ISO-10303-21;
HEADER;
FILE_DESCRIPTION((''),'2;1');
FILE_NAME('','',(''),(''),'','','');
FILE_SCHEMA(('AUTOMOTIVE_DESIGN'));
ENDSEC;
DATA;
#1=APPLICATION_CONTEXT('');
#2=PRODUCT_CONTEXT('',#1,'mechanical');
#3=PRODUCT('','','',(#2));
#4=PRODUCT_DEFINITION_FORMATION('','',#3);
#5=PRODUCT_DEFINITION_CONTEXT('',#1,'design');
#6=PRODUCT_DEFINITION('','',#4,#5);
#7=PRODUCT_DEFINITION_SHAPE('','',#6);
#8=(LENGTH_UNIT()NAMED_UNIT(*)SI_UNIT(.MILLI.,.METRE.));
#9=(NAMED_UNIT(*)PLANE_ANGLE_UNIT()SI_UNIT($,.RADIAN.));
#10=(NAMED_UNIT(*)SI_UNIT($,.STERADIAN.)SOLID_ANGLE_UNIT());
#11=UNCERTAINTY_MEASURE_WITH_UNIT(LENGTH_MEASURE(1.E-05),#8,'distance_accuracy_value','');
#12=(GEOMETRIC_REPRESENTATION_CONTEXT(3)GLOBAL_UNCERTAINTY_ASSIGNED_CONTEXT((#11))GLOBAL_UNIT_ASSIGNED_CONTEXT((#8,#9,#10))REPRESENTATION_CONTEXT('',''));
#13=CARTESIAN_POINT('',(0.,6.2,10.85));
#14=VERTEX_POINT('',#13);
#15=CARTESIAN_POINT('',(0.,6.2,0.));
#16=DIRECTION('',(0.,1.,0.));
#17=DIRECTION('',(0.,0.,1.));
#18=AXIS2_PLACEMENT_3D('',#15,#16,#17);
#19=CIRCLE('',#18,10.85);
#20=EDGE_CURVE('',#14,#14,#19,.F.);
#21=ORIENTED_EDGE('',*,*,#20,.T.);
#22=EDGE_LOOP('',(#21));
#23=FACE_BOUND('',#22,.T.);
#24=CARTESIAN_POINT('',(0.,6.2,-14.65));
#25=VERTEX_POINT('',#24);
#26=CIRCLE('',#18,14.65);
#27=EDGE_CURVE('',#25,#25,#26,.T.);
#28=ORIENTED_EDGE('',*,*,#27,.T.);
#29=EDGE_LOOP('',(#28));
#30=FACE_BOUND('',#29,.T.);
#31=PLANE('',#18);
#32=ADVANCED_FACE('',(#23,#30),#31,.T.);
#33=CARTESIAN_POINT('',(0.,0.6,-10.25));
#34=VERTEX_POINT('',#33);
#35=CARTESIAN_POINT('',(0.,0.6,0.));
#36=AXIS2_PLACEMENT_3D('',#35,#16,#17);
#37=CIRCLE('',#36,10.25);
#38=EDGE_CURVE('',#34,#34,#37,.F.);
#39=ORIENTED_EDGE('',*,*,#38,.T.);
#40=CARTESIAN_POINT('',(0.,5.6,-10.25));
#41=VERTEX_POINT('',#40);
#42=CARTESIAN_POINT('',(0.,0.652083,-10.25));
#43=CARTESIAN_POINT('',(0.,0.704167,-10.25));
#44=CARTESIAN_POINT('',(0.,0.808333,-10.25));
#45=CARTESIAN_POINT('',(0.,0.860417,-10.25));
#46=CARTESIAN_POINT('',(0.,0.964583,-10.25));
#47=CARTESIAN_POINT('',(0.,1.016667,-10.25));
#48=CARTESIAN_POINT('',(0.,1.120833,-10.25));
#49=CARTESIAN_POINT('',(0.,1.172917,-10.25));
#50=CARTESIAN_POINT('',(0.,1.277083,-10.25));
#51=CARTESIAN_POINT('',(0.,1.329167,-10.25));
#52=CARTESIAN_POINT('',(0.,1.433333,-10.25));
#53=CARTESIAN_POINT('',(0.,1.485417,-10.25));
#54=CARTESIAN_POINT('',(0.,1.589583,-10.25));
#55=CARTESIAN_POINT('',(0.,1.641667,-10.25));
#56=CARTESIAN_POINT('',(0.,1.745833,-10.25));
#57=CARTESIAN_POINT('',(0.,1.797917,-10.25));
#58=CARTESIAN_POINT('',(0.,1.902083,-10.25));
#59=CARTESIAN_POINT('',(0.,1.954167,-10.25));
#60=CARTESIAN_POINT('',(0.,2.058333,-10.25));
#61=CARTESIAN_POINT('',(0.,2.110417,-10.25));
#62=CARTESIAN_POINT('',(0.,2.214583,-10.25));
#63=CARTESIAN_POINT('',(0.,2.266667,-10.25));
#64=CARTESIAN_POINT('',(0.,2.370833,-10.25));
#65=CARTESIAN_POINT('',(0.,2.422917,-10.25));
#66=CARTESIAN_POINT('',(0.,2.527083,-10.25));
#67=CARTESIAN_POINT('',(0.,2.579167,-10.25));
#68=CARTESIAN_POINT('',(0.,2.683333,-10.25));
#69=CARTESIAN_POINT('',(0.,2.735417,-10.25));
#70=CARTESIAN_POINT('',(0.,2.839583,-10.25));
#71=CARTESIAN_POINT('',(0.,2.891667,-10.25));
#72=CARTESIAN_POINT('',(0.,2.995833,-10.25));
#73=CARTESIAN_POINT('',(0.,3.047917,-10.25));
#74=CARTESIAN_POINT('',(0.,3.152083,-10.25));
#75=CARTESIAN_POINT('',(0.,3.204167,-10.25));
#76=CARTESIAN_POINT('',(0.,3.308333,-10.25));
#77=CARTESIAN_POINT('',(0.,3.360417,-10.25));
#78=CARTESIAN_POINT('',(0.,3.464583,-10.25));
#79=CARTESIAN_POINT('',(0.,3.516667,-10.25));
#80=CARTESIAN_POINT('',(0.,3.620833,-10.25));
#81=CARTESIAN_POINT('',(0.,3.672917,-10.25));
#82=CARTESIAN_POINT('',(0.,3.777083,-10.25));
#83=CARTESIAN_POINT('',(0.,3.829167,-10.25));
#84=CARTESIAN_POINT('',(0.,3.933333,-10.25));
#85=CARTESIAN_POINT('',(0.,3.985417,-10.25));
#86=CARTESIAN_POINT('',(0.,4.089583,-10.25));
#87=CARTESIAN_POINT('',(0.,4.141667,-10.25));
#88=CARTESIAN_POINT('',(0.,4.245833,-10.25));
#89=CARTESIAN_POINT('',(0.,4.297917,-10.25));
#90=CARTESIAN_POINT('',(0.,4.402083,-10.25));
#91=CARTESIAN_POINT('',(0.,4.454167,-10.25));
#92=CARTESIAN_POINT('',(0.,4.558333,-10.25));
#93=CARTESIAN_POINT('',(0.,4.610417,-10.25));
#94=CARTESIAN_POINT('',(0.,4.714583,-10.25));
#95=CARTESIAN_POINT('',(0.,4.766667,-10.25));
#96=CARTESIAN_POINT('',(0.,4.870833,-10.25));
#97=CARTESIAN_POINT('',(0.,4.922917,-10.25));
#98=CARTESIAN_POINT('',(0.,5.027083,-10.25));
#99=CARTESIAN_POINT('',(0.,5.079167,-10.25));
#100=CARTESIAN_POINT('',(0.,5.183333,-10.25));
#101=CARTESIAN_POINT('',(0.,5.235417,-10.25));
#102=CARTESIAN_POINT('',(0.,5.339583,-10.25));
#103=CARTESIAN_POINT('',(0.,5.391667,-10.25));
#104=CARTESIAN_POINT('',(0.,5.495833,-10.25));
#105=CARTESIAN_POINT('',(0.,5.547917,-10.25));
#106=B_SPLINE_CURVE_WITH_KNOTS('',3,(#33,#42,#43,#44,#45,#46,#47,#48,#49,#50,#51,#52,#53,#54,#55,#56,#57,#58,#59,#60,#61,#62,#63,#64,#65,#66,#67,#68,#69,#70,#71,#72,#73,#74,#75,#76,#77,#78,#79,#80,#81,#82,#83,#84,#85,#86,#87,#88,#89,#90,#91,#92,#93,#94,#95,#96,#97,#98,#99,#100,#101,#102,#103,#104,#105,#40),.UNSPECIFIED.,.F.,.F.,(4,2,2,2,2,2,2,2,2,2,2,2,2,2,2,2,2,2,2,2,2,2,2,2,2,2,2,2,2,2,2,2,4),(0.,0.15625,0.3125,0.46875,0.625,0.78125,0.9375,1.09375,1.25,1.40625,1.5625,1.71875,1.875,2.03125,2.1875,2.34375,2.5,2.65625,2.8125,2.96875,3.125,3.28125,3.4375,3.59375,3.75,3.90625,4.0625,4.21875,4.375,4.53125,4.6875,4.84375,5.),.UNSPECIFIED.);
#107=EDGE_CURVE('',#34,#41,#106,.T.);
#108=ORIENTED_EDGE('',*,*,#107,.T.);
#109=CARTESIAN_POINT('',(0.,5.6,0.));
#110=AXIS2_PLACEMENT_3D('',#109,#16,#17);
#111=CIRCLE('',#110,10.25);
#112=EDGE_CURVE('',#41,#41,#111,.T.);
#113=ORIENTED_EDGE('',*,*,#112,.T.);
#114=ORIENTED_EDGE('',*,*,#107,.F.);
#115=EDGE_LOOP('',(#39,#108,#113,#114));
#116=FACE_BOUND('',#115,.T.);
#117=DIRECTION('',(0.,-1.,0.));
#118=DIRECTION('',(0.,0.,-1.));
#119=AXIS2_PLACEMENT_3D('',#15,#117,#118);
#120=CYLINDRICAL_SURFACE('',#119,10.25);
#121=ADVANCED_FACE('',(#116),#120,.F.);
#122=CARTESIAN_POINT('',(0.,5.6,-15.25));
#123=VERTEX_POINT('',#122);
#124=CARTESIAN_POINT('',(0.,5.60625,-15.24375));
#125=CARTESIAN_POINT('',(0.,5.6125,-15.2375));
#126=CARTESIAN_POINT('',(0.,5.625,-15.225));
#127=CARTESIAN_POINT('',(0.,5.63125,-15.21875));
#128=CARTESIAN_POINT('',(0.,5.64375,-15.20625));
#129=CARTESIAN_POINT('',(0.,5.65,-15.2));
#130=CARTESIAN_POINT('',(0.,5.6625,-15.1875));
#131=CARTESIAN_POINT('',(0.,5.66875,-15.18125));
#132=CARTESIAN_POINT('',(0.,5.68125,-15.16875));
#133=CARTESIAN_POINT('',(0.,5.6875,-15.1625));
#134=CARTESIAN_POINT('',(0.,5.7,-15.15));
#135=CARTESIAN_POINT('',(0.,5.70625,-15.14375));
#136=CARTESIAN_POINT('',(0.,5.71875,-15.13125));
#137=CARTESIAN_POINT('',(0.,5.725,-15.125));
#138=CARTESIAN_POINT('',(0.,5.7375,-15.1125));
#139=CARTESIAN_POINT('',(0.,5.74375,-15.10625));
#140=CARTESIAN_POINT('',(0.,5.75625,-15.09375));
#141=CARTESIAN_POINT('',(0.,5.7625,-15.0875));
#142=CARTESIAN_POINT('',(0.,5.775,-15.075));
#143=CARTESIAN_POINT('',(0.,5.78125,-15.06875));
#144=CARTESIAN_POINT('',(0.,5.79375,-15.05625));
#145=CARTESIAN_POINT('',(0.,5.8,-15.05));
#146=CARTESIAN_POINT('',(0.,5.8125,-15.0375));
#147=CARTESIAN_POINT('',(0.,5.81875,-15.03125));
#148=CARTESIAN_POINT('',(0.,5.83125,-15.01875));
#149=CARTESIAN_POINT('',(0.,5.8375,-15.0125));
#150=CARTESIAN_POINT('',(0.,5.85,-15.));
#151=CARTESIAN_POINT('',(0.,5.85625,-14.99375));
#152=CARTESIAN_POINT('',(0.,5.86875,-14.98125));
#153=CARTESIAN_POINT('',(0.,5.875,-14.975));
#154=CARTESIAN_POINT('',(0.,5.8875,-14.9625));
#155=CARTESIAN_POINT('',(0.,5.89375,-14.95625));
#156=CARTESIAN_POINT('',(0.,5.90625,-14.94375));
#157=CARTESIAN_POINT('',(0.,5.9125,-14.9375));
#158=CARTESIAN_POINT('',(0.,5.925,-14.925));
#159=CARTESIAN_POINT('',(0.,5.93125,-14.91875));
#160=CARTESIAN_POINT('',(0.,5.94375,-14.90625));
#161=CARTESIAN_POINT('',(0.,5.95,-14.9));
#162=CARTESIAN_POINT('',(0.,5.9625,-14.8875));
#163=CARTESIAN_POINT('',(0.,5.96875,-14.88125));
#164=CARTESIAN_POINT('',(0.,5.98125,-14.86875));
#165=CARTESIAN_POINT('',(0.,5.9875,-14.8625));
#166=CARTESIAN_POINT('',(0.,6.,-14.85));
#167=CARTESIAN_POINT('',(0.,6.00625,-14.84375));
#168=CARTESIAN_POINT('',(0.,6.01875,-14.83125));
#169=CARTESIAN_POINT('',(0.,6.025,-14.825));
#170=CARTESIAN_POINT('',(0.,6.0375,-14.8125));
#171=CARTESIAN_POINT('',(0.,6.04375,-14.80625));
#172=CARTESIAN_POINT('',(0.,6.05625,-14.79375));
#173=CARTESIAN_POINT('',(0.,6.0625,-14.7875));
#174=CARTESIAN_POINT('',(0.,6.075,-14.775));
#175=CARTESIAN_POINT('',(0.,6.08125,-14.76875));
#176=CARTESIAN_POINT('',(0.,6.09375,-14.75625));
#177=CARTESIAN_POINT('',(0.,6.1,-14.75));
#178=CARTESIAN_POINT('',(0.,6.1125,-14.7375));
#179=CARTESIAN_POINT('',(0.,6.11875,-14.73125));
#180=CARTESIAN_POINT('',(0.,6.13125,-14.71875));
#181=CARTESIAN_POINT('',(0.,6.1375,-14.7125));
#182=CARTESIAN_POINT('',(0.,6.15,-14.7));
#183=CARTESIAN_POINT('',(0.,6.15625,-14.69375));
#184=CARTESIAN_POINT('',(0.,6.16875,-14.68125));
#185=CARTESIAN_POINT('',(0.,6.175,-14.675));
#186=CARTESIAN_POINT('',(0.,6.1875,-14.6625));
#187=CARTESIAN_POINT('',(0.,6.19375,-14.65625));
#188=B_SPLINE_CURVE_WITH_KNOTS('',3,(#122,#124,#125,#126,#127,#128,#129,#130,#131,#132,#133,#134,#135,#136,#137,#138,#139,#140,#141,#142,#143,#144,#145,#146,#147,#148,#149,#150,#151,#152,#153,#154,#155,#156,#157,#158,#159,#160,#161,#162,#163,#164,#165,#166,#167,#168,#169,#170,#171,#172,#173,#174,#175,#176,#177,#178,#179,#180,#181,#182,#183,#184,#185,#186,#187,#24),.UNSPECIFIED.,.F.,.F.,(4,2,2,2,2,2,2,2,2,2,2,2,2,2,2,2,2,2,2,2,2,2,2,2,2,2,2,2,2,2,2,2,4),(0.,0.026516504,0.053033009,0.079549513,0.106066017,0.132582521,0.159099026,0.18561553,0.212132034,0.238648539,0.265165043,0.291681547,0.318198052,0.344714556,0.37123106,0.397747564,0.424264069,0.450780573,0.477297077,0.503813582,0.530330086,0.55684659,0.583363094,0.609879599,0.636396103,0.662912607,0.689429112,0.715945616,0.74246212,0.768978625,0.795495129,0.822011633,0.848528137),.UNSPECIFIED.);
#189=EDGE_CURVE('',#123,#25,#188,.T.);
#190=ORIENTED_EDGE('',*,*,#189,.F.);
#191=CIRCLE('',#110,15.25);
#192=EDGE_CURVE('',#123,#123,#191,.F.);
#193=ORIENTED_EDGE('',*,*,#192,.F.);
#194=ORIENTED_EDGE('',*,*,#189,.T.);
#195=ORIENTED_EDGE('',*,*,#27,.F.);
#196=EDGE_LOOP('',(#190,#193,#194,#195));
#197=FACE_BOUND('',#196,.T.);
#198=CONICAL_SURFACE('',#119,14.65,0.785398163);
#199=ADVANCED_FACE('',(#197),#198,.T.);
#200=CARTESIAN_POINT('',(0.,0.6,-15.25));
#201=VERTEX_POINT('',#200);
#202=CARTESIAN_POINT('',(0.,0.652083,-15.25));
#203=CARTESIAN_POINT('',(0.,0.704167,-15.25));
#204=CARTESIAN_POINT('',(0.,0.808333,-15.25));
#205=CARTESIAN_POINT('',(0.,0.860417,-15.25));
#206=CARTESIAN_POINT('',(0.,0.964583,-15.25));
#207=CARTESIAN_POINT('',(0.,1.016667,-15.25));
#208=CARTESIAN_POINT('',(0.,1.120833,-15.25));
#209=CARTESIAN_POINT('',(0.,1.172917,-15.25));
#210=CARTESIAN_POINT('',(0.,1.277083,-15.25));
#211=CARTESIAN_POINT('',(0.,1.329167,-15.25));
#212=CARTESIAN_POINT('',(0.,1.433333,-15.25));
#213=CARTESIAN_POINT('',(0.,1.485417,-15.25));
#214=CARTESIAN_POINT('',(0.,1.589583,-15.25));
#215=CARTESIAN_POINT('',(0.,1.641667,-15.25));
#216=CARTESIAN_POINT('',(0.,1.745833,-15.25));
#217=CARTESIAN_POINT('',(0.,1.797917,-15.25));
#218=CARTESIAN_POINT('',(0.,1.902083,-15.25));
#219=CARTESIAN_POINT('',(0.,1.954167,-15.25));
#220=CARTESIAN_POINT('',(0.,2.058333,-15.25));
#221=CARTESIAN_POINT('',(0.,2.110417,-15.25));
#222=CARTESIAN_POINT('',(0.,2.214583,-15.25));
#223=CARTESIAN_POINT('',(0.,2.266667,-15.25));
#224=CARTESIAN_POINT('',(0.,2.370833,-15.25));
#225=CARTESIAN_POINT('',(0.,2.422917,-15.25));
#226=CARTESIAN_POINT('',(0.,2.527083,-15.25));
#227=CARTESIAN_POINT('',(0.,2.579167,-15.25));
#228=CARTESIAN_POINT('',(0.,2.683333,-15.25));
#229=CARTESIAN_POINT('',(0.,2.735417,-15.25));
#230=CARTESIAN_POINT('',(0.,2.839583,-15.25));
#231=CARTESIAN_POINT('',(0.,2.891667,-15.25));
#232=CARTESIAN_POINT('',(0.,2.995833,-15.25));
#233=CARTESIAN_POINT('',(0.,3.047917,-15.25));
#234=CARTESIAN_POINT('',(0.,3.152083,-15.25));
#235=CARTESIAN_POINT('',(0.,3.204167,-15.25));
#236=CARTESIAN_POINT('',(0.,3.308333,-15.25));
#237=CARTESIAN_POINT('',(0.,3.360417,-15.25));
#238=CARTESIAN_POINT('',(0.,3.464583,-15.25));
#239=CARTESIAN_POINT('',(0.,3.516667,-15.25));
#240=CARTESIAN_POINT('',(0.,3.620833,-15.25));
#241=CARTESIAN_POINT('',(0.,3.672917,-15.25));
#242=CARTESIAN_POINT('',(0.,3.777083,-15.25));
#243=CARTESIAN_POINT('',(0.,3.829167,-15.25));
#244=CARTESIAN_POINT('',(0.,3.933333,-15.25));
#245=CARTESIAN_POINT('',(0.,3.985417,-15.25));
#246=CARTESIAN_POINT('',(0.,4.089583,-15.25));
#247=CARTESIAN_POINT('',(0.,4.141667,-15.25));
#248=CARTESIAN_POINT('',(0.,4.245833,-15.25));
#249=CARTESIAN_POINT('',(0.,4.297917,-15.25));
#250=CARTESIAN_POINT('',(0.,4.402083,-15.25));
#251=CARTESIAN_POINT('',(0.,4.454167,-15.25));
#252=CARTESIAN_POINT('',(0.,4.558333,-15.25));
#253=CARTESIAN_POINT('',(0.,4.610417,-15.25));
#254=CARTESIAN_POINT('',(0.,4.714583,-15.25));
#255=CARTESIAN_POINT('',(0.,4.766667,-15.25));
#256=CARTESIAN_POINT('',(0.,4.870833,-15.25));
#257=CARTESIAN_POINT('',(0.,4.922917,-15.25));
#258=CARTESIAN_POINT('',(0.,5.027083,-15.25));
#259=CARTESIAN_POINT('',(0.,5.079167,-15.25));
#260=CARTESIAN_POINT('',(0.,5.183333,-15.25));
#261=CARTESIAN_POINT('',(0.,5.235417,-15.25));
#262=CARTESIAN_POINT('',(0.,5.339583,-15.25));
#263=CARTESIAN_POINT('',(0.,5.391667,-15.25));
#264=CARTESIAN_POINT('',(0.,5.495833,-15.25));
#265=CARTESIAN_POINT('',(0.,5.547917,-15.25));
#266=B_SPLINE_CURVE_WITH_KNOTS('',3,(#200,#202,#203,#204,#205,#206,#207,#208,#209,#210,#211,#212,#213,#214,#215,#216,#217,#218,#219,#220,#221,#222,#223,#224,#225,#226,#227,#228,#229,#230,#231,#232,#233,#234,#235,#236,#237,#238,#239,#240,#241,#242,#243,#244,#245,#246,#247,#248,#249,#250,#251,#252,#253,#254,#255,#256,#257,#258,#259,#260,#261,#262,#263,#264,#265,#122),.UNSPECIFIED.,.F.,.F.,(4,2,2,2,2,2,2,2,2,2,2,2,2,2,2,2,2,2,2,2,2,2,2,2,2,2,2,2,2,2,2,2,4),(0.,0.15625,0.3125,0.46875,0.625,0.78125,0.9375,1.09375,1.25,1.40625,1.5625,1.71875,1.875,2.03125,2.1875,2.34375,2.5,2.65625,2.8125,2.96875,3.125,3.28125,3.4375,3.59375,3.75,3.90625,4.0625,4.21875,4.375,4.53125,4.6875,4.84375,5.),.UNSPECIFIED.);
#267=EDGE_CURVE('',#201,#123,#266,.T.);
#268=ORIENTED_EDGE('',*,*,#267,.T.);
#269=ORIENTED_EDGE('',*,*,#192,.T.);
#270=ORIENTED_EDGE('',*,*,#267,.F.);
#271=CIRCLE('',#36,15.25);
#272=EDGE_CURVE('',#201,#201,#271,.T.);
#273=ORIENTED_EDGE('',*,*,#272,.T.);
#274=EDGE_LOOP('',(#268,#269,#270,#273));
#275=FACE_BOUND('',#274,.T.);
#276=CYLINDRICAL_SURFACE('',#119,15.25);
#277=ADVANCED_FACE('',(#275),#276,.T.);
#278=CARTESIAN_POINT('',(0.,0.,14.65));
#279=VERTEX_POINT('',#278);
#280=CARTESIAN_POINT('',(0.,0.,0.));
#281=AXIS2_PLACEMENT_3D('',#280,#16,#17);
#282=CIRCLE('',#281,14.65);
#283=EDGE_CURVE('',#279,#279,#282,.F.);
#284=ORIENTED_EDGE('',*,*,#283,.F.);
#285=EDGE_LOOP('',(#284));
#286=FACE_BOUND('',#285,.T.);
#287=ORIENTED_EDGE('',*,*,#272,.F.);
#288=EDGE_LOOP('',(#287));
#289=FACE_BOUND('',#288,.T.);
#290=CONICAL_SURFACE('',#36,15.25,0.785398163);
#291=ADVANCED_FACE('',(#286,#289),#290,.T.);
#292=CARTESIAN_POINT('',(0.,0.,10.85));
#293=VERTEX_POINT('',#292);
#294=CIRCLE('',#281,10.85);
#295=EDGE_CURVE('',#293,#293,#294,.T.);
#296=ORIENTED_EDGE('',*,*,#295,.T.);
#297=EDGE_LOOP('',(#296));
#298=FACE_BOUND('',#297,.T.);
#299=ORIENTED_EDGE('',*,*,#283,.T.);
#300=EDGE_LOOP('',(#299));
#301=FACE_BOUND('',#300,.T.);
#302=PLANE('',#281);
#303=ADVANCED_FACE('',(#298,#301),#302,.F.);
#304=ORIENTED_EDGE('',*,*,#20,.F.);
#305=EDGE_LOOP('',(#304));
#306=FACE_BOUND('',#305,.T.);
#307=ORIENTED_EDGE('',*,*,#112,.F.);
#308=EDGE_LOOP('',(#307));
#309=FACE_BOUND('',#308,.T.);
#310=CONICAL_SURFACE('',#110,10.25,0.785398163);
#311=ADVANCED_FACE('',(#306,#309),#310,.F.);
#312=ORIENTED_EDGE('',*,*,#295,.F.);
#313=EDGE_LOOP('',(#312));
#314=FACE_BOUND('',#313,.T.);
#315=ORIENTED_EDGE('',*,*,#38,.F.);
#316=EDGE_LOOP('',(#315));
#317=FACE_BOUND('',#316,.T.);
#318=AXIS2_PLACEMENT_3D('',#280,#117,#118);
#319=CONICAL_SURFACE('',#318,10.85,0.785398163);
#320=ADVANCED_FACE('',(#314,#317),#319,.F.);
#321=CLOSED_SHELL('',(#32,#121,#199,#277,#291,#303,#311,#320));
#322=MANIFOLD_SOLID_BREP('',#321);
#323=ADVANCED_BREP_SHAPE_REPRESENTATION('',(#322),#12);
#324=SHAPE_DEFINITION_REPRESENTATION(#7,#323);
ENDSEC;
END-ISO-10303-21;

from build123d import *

# Parameters (mm, degrees)
SKETCH1_R           = 15.25
SKETCH1_R_2         = 10.25
BOSS_EXTRUDE1_DEPTH = 6.2
CHAMFER1_SIZE       = 0.6


with BuildPart() as part:
    # Sketch1 → Boss-Extrude1 (new body)
    with BuildSketch(Plane(origin=(0, 0, 0), x_dir=(1, 0, 0), z_dir=(0, 1, 0))):
        with Locations(Location((0, 0, 0), (0, 0, 90))):
            Circle(SKETCH1_R)
        with Locations(Location((0, 0, 0), (0, 0, 90))):
            Circle(SKETCH1_R_2, mode=Mode.SUBTRACT)
    extrude(amount=BOSS_EXTRUDE1_DEPTH)

    # Chamfer1
    chamfer1_edges = [part.edges().sort_by_distance(p)[0] for p in [
        (0, 0, 15.25),
        (0, 6.2, 15.25),
        (0, 0, 10.25),
        (0, 6.2, 10.25),
    ]]
    chamfer(chamfer1_edges, length=CHAMFER1_SIZE)


solid = part.part
